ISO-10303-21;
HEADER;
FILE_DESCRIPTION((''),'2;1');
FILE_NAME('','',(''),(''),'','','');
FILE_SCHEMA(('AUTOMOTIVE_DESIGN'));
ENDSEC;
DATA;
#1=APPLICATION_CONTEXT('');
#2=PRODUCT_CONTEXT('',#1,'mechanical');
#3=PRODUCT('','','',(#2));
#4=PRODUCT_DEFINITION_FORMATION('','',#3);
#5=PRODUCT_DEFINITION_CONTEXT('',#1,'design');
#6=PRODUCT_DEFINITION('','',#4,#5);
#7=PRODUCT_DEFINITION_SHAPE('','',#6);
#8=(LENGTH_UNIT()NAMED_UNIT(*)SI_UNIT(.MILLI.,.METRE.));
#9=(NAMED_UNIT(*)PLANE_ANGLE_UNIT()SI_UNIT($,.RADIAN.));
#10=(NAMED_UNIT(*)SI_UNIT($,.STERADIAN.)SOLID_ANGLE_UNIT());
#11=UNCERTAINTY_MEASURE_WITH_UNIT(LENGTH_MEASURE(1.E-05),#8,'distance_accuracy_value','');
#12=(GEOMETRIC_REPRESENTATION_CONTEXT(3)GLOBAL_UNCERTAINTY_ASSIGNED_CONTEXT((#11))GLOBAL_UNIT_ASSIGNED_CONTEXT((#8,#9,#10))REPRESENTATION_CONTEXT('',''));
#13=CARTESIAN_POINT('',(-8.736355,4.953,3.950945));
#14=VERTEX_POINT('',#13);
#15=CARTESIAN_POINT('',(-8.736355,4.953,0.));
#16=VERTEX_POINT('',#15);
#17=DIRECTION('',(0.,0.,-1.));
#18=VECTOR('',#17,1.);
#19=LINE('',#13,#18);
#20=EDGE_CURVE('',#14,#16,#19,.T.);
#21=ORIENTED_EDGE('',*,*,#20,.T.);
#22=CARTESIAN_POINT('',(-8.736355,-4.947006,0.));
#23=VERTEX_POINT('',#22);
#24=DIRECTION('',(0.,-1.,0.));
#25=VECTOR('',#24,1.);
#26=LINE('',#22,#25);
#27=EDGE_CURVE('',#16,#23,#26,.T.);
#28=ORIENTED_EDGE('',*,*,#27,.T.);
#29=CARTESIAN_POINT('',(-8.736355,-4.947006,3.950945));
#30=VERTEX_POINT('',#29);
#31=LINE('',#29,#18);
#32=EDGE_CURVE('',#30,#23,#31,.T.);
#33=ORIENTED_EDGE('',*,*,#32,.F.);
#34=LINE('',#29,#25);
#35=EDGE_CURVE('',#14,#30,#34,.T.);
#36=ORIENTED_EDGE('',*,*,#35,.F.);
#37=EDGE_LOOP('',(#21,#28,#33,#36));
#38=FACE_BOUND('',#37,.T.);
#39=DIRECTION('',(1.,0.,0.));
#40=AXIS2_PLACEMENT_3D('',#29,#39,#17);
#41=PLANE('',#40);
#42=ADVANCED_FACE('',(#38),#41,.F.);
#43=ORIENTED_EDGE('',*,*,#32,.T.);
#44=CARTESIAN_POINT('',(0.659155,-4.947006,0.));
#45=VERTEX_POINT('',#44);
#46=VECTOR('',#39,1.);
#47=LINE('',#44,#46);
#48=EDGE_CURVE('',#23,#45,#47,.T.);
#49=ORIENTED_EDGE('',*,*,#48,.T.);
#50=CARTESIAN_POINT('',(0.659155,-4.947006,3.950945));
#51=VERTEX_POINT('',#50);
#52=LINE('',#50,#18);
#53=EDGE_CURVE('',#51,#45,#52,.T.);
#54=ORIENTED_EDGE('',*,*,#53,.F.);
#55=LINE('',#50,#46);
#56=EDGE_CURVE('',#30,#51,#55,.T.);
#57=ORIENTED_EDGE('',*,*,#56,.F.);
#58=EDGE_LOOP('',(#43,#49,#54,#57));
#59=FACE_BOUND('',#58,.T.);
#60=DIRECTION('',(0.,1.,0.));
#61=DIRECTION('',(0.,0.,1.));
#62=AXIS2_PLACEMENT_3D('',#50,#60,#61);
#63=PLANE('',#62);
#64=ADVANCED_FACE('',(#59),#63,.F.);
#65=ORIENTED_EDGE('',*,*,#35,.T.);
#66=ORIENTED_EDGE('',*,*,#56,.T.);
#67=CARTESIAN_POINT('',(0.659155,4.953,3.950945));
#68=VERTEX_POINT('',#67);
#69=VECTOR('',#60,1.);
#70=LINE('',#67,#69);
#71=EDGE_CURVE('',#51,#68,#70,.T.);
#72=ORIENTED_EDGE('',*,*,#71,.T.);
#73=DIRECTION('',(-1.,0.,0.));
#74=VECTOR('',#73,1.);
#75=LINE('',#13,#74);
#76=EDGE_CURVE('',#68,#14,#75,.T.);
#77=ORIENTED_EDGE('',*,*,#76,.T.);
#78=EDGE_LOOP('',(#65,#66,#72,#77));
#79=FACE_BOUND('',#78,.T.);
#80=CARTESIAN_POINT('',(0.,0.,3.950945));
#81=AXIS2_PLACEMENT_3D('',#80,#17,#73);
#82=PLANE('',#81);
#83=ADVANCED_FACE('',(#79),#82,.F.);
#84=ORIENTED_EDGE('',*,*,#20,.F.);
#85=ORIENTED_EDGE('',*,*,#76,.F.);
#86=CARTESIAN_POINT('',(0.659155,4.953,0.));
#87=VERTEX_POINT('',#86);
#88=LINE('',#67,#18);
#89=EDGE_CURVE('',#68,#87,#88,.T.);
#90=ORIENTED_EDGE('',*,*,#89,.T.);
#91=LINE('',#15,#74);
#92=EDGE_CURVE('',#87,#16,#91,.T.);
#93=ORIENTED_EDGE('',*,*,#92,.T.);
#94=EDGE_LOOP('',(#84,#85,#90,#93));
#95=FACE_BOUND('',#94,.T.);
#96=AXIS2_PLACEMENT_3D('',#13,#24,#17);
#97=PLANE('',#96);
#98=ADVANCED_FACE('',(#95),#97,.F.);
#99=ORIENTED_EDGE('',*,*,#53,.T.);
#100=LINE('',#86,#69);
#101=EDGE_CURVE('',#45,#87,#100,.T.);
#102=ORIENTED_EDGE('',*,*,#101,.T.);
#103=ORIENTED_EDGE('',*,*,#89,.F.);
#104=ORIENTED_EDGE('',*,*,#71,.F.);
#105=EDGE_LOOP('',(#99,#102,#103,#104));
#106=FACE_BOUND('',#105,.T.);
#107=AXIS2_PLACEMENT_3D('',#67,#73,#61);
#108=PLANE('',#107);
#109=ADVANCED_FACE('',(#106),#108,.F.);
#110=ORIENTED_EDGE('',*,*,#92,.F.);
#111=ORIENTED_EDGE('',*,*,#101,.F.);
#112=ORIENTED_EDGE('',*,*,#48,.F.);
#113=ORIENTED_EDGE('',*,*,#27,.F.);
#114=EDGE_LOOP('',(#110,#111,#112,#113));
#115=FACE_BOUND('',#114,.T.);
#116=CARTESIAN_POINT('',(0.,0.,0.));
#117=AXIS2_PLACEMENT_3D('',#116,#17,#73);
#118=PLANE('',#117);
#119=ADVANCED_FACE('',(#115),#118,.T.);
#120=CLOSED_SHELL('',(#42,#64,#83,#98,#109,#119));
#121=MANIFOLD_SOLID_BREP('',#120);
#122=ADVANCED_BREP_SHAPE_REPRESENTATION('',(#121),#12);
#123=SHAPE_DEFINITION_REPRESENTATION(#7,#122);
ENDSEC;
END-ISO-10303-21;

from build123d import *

# Parameters (mm, degrees)
SKETCH1_W               = 9.3955108
SKETCH1_H               = 9.9000056
COMPONENT_OUTLINE_DEPTH = 3.9509446


with BuildPart() as part:
    # Sketch1 → Component_Outline (new body)
    with BuildSketch(Plane.XY):
        with Locations((-4.0386, 0.0029972)):
            Rectangle(SKETCH1_W, SKETCH1_H)
    extrude(amount=COMPONENT_OUTLINE_DEPTH)


solid = part.part
